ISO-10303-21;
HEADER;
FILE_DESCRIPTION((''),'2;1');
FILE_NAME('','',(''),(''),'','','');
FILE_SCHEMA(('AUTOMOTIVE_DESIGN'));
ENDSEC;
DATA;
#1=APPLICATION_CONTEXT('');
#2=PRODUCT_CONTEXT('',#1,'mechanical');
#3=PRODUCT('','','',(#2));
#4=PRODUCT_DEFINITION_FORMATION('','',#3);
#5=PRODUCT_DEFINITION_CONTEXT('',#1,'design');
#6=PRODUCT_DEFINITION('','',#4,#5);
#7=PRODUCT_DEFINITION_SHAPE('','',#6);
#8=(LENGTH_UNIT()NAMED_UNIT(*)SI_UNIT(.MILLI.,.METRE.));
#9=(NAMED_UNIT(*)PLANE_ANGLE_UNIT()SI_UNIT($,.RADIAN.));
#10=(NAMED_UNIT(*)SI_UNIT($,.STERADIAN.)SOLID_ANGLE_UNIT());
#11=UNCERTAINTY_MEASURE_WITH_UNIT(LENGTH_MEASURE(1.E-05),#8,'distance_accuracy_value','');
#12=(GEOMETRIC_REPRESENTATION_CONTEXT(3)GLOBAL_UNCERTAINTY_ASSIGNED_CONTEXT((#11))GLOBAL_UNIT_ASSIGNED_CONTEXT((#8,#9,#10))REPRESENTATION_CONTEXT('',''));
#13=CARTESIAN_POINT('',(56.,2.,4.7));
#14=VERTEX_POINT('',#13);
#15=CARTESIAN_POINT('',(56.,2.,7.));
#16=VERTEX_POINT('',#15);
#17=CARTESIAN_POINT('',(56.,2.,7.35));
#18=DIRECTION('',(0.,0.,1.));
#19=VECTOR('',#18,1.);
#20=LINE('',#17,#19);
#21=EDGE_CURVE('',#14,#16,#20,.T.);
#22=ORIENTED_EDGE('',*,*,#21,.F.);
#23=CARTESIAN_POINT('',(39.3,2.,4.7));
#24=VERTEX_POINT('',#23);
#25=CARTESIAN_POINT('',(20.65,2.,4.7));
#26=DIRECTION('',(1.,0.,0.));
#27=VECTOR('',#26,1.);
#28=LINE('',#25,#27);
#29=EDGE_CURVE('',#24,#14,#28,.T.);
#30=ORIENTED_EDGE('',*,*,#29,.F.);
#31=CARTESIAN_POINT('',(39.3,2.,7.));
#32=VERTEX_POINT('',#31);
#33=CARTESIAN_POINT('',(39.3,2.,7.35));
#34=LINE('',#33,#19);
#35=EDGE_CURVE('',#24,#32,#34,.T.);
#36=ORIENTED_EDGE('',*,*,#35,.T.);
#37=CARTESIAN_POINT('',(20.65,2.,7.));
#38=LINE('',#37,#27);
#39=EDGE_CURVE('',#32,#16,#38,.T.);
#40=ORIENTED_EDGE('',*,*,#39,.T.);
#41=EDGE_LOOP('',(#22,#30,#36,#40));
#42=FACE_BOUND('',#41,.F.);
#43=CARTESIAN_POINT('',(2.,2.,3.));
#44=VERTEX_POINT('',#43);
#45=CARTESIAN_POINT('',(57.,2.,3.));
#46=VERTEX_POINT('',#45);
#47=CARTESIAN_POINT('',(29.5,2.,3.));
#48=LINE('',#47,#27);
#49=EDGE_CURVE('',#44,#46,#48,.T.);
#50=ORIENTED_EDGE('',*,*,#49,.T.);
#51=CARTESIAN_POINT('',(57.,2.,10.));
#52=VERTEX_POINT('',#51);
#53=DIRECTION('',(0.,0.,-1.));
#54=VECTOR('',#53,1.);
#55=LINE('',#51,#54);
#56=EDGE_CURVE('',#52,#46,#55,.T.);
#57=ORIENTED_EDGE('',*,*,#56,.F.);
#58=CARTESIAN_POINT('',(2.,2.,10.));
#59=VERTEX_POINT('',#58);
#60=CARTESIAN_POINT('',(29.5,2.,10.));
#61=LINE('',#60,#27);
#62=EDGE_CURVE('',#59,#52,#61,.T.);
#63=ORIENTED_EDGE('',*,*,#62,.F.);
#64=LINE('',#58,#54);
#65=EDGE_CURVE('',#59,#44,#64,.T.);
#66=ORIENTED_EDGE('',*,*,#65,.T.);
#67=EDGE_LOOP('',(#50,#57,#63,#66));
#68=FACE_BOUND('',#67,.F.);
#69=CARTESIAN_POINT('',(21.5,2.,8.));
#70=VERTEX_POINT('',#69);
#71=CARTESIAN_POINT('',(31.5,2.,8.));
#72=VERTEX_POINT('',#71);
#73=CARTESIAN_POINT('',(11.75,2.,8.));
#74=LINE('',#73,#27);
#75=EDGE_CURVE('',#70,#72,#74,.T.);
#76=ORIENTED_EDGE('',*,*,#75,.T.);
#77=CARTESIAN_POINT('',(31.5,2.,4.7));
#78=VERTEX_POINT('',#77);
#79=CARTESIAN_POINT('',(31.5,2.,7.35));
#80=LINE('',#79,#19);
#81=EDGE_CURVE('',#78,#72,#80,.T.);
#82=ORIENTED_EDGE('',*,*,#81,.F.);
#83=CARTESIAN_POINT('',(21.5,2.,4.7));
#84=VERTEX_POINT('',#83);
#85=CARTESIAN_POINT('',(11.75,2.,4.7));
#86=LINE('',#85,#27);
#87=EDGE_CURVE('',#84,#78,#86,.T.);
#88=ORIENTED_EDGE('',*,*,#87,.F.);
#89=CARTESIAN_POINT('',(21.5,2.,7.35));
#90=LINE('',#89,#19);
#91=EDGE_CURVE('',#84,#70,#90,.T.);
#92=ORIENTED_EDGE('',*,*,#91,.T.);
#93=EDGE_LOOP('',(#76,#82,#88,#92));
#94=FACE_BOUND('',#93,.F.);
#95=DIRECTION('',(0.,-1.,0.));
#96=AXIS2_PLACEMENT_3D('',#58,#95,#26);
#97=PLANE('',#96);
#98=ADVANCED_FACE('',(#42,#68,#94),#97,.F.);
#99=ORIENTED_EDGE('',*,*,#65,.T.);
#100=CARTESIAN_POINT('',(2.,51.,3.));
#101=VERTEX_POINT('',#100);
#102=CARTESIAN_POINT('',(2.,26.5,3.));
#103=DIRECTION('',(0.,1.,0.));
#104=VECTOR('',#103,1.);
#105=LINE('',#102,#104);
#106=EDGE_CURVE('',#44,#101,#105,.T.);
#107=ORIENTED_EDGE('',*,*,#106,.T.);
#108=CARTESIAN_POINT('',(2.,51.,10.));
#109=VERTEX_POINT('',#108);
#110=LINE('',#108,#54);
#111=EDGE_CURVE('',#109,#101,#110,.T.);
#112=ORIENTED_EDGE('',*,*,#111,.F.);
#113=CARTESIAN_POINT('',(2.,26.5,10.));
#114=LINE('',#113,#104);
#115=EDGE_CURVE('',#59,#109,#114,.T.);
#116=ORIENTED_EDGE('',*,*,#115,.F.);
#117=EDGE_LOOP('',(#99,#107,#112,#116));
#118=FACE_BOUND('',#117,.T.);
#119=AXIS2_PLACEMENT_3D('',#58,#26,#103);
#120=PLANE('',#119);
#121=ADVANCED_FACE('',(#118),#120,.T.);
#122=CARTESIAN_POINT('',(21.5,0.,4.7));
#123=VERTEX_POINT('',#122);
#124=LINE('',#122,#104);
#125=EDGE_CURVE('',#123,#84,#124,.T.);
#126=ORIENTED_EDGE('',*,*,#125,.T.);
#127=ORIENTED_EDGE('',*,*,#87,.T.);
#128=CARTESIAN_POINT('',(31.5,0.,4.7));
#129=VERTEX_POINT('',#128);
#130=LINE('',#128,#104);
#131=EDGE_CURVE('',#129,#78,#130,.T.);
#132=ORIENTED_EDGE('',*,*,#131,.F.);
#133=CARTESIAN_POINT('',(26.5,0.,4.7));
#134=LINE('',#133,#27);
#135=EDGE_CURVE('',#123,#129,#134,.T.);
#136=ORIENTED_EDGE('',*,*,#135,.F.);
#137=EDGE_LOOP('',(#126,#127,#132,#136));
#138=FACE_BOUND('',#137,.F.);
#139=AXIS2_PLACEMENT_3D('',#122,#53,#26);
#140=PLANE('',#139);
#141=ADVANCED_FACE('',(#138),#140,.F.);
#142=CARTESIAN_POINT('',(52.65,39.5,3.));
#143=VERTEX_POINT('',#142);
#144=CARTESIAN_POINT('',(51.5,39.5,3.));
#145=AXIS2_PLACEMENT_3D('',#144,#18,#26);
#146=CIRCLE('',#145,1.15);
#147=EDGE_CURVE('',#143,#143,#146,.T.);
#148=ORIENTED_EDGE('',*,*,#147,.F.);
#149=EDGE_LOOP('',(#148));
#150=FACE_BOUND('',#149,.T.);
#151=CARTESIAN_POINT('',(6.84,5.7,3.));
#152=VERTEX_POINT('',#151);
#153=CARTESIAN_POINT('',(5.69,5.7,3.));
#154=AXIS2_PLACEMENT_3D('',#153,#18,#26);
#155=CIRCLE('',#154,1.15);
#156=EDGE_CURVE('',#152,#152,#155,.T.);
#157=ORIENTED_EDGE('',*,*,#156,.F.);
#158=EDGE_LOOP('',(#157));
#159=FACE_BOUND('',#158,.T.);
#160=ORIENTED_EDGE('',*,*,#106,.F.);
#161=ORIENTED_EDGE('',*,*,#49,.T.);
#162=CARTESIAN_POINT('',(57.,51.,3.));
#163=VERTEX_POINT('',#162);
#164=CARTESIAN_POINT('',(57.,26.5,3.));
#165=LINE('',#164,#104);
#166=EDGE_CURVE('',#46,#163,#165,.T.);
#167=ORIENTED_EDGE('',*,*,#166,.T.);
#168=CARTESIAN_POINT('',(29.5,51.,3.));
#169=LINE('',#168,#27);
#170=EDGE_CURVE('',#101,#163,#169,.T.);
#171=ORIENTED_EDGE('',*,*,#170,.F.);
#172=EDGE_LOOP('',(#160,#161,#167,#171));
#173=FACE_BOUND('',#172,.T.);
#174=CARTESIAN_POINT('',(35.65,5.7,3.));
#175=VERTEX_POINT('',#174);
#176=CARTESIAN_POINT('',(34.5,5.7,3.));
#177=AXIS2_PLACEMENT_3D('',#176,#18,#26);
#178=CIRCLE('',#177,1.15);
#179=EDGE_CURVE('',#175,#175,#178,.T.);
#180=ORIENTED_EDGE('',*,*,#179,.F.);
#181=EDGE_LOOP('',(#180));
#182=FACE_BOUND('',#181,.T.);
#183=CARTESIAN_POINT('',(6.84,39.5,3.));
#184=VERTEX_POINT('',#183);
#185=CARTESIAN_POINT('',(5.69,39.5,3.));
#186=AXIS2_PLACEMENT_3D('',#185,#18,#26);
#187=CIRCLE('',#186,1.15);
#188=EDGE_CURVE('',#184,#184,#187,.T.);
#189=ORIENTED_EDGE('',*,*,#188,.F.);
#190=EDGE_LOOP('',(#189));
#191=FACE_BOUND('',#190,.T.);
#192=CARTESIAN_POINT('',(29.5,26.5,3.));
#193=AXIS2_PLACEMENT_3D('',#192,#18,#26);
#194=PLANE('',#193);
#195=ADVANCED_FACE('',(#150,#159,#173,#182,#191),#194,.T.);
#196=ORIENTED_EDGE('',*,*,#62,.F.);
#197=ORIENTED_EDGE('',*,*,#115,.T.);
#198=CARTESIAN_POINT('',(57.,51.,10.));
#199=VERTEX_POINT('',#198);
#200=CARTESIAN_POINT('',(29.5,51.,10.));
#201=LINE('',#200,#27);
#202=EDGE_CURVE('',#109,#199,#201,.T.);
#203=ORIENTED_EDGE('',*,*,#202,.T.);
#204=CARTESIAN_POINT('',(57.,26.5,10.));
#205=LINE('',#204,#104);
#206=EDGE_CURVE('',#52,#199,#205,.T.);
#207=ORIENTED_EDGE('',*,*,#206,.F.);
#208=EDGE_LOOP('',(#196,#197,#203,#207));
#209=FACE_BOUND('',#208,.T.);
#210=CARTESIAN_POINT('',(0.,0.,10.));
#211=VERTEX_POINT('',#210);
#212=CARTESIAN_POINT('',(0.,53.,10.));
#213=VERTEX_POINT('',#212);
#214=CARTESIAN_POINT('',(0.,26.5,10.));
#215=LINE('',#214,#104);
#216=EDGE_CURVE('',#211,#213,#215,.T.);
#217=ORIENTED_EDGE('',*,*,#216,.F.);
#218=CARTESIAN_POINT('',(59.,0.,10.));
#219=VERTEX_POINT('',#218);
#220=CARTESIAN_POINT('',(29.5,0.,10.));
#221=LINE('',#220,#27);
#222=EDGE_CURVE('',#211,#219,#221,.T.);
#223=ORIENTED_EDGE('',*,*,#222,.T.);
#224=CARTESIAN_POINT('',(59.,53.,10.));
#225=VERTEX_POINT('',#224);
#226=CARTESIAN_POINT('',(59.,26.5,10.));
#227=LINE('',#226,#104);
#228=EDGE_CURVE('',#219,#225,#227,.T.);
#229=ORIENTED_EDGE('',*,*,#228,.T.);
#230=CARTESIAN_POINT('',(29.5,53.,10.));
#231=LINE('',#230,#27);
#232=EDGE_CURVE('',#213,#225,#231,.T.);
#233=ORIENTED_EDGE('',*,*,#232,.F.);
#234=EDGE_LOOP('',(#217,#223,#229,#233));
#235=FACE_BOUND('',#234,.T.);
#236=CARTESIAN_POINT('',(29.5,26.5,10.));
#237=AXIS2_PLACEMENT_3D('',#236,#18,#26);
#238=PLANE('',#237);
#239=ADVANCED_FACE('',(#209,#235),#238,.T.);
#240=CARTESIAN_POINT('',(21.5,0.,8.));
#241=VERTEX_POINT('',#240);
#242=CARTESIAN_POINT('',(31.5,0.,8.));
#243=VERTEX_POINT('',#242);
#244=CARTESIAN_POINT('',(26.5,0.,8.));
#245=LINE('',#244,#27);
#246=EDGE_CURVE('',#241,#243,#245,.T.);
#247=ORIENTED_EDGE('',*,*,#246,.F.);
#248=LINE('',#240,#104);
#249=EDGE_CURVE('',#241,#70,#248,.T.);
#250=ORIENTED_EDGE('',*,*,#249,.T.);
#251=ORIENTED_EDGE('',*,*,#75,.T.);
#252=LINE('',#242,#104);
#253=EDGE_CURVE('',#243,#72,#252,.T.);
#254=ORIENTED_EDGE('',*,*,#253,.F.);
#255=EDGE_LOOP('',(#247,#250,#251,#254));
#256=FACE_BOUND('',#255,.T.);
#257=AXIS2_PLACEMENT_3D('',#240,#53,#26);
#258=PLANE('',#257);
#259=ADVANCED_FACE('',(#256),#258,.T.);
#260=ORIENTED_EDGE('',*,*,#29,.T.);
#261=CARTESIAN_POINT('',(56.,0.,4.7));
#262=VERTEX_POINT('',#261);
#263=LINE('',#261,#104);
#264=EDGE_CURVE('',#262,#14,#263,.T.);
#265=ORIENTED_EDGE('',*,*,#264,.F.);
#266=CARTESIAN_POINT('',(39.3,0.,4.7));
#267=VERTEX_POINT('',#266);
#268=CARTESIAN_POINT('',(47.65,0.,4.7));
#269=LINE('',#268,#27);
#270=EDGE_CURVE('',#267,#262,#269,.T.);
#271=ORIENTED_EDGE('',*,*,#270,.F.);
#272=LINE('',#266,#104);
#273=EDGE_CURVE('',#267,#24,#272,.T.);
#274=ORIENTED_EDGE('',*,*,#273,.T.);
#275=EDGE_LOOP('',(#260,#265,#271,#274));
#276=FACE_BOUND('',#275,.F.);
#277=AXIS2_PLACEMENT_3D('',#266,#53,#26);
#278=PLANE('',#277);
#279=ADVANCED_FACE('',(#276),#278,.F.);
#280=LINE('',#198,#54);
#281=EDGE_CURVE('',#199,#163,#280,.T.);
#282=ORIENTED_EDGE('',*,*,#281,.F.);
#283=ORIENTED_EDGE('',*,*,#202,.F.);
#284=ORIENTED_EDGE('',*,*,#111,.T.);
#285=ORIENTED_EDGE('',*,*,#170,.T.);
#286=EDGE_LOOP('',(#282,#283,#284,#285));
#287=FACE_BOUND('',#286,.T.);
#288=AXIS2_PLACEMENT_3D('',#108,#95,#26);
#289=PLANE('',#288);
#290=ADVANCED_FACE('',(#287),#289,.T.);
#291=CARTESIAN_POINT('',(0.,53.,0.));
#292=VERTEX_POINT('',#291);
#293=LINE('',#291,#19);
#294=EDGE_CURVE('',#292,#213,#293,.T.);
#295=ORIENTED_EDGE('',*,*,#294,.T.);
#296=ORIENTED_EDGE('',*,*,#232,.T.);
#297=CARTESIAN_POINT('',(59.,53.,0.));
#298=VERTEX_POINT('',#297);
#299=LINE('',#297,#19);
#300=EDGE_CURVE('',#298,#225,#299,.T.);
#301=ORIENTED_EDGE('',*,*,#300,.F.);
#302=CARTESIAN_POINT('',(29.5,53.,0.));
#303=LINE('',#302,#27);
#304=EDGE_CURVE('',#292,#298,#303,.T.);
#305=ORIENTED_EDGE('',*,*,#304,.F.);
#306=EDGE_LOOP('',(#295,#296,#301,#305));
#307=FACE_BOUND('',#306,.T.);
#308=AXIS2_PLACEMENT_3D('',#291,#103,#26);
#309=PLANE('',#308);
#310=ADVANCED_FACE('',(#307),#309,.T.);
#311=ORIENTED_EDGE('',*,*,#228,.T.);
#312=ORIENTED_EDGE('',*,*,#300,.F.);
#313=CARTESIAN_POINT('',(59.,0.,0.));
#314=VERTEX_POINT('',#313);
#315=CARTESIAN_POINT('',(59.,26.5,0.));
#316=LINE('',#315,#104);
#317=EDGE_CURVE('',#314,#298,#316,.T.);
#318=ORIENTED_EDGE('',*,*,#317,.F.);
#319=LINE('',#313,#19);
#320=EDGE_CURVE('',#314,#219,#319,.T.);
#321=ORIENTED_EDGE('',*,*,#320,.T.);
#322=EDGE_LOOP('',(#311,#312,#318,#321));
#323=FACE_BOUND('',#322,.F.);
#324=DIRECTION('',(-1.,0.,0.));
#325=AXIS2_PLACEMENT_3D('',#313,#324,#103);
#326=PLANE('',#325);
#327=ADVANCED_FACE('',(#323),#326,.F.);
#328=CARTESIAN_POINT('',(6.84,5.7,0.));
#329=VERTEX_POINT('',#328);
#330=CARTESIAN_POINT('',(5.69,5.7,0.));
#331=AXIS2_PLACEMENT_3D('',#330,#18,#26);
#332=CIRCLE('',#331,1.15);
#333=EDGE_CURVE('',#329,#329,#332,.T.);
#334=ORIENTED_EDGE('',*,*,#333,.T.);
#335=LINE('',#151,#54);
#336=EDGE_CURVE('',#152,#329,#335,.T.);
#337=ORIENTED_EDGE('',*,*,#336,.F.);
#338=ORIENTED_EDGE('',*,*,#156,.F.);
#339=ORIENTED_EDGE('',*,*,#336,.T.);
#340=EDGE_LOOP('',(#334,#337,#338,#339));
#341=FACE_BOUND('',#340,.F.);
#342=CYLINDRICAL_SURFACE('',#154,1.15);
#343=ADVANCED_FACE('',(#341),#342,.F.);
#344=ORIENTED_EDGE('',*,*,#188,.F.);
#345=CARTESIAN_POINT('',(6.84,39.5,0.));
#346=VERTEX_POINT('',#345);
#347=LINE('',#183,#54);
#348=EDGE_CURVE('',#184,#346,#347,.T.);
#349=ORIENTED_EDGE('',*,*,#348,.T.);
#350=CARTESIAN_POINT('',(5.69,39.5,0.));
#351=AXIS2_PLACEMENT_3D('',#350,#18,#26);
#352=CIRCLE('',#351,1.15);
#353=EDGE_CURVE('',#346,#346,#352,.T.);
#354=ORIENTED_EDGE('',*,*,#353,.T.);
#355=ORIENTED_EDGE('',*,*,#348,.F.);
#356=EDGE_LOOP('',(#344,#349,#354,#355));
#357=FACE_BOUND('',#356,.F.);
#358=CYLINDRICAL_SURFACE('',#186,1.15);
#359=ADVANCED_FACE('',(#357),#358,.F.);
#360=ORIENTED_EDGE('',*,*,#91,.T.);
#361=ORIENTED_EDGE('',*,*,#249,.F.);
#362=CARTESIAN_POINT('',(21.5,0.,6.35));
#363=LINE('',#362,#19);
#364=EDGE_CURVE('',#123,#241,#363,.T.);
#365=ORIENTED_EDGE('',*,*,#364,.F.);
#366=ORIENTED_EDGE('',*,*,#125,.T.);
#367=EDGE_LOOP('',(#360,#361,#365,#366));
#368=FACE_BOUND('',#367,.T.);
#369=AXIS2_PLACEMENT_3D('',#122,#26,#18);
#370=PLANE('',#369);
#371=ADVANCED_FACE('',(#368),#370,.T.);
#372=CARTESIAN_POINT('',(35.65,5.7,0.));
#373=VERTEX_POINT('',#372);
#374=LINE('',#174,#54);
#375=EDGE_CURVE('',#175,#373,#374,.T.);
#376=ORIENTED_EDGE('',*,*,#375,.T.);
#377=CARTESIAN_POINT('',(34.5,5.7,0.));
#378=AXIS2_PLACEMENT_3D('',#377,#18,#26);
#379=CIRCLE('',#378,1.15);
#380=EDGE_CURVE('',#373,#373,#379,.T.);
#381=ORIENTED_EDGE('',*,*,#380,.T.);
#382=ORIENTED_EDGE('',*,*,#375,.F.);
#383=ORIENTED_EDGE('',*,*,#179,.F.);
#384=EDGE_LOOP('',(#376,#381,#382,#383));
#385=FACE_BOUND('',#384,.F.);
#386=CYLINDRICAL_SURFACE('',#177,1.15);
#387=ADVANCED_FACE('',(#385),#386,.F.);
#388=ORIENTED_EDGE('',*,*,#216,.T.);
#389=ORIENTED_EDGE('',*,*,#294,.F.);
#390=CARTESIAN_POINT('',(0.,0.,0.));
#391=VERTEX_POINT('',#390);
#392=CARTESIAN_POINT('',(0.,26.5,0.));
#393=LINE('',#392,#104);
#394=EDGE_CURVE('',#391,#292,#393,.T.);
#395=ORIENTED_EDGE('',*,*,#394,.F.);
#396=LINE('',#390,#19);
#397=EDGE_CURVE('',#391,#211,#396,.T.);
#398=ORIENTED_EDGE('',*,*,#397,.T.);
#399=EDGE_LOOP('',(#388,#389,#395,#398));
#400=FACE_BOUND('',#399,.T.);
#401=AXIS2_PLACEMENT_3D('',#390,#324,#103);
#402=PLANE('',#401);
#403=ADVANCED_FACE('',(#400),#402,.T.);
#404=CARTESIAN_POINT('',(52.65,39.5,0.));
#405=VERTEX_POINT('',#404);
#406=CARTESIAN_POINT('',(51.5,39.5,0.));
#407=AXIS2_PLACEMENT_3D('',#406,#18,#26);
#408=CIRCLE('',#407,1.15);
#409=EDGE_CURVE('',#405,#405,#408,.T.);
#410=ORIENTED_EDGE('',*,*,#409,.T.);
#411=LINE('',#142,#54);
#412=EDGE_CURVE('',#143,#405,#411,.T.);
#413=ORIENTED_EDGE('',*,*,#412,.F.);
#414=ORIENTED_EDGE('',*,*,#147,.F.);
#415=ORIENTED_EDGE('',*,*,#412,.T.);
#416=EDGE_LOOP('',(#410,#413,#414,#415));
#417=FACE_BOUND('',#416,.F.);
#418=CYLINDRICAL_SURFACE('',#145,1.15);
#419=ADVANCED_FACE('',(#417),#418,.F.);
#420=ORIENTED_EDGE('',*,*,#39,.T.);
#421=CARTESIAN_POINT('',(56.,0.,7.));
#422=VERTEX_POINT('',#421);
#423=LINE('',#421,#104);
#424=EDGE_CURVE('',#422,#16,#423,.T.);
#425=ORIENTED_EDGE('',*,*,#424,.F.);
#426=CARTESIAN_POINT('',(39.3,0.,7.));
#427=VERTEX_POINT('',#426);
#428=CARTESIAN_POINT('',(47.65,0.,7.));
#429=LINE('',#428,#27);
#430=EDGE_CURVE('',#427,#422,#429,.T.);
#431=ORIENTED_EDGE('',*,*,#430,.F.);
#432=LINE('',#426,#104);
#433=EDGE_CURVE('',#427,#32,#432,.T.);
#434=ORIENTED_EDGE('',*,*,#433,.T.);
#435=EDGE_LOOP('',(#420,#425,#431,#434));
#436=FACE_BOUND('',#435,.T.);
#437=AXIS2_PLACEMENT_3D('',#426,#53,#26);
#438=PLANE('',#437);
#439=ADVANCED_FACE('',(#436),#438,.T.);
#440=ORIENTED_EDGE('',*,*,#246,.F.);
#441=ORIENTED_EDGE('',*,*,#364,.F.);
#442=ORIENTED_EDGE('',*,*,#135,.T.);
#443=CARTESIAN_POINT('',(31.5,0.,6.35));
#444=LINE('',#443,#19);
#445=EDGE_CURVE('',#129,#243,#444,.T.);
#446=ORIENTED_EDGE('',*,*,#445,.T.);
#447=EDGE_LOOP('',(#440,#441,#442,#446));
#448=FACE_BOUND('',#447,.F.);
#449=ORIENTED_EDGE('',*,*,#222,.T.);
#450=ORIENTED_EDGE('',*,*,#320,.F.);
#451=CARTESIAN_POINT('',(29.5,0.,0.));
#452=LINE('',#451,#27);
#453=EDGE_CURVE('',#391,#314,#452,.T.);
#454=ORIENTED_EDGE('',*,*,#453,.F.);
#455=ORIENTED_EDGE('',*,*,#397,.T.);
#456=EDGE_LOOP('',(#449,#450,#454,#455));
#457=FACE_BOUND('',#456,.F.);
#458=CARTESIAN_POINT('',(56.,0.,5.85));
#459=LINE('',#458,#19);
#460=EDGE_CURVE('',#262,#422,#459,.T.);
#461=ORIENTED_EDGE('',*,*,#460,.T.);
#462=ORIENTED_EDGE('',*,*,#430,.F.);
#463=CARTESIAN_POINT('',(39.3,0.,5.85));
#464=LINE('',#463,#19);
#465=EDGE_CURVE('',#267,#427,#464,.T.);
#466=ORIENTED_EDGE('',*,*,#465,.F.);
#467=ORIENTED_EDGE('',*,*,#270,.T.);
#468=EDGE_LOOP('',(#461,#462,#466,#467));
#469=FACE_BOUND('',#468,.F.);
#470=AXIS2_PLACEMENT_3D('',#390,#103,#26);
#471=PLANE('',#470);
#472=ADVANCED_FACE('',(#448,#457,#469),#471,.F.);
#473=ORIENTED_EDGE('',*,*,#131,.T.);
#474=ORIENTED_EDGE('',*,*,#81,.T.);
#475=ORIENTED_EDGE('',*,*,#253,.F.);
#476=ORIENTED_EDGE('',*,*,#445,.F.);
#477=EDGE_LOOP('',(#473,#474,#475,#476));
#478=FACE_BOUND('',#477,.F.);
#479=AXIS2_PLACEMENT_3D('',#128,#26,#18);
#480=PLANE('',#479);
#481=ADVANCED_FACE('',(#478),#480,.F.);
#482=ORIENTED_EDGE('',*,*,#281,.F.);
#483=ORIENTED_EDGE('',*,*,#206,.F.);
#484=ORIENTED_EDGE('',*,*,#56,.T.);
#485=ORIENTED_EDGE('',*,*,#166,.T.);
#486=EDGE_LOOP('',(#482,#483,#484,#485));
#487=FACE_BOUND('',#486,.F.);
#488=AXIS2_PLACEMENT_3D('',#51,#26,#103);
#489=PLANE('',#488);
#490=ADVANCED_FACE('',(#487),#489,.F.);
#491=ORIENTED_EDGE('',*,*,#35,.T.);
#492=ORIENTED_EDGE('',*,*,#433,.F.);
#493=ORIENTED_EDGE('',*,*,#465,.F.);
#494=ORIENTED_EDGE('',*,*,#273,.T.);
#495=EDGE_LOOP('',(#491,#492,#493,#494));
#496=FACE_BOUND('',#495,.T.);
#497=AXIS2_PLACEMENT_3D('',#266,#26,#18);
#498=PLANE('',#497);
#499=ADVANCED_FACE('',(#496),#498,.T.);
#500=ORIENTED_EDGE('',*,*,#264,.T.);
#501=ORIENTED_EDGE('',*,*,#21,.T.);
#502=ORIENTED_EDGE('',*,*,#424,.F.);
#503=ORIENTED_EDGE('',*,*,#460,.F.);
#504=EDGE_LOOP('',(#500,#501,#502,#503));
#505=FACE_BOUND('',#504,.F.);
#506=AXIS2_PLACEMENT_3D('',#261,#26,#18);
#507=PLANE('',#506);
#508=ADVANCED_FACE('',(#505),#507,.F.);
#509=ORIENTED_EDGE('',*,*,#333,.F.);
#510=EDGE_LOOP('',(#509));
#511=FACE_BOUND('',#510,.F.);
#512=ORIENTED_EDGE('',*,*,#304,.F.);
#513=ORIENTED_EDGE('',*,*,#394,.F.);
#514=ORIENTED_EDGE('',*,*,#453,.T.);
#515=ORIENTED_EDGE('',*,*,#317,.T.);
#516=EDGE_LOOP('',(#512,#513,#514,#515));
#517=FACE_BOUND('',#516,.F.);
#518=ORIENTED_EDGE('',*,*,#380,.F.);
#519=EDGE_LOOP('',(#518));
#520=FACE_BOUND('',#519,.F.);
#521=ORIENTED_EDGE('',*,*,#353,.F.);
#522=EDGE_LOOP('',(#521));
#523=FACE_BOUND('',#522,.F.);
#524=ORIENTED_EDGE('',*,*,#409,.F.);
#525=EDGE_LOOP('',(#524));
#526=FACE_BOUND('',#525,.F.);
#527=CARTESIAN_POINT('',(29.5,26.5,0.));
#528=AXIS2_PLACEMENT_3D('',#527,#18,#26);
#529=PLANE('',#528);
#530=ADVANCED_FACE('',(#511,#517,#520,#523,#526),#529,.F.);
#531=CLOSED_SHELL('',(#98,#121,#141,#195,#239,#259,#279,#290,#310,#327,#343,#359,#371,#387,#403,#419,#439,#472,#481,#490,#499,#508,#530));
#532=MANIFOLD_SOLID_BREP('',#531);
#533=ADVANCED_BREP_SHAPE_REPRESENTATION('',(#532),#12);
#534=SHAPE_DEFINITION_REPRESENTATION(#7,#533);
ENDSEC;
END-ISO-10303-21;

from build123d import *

# Parameters (mm, degrees)
SKETCH_W        = 59
SKETCH_H        = 53
PAD_DEPTH       = 10
SKETCH001_W     = 55
SKETCH001_H     = 49
POCKET_DEPTH    = 7
SKETCH002_R     = 1.15
HOLE_DEPTH      = 25
SKETCH003_W     = 10
SKETCH003_H     = 3.3
SKETCH003_W_2   = 16.7
SKETCH003_H_2   = 2.3
POCKET001_DEPTH = 5


with BuildPart() as part:
    # Sketch → Pad (new body)
    with BuildSketch(Plane.XY):
        with Locations((29.5, 26.5)):
            Rectangle(SKETCH_W, SKETCH_H)
    extrude(amount=PAD_DEPTH)

    # Sketch001 (on Face6 of Pad) → Pocket (cut)
    with BuildSketch(Plane.XY.offset(10)):
        with Locations((29.5, 26.5)):
            Rectangle(SKETCH001_W, SKETCH001_H)
    extrude(amount=-POCKET_DEPTH, mode=Mode.SUBTRACT)

    # Sketch002 (on Face11 of Pocket) → Hole (cut)
    with BuildSketch(Plane.XY.offset(3)):
        with Locations((5.69, 39.5)):
            Circle(SKETCH002_R)
        with Locations((34.5, 5.7)):
            Circle(SKETCH002_R)
        with Locations((5.69, 5.7)):
            Circle(SKETCH002_R)
        with Locations((51.5, 39.5)):
            Circle(SKETCH002_R)
    extrude(amount=-HOLE_DEPTH, mode=Mode.SUBTRACT)

    # Sketch003 (on Face1 of Hole) → Pocket001 (cut)
    with BuildSketch(Plane.XZ):
        with Locations((26.5, 6.35)):
            Rectangle(SKETCH003_W, SKETCH003_H)
        with Locations((47.65, 5.85)):
            Rectangle(SKETCH003_W_2, SKETCH003_H_2)
    extrude(amount=-POCKET001_DEPTH, mode=Mode.SUBTRACT)


solid = part.part
